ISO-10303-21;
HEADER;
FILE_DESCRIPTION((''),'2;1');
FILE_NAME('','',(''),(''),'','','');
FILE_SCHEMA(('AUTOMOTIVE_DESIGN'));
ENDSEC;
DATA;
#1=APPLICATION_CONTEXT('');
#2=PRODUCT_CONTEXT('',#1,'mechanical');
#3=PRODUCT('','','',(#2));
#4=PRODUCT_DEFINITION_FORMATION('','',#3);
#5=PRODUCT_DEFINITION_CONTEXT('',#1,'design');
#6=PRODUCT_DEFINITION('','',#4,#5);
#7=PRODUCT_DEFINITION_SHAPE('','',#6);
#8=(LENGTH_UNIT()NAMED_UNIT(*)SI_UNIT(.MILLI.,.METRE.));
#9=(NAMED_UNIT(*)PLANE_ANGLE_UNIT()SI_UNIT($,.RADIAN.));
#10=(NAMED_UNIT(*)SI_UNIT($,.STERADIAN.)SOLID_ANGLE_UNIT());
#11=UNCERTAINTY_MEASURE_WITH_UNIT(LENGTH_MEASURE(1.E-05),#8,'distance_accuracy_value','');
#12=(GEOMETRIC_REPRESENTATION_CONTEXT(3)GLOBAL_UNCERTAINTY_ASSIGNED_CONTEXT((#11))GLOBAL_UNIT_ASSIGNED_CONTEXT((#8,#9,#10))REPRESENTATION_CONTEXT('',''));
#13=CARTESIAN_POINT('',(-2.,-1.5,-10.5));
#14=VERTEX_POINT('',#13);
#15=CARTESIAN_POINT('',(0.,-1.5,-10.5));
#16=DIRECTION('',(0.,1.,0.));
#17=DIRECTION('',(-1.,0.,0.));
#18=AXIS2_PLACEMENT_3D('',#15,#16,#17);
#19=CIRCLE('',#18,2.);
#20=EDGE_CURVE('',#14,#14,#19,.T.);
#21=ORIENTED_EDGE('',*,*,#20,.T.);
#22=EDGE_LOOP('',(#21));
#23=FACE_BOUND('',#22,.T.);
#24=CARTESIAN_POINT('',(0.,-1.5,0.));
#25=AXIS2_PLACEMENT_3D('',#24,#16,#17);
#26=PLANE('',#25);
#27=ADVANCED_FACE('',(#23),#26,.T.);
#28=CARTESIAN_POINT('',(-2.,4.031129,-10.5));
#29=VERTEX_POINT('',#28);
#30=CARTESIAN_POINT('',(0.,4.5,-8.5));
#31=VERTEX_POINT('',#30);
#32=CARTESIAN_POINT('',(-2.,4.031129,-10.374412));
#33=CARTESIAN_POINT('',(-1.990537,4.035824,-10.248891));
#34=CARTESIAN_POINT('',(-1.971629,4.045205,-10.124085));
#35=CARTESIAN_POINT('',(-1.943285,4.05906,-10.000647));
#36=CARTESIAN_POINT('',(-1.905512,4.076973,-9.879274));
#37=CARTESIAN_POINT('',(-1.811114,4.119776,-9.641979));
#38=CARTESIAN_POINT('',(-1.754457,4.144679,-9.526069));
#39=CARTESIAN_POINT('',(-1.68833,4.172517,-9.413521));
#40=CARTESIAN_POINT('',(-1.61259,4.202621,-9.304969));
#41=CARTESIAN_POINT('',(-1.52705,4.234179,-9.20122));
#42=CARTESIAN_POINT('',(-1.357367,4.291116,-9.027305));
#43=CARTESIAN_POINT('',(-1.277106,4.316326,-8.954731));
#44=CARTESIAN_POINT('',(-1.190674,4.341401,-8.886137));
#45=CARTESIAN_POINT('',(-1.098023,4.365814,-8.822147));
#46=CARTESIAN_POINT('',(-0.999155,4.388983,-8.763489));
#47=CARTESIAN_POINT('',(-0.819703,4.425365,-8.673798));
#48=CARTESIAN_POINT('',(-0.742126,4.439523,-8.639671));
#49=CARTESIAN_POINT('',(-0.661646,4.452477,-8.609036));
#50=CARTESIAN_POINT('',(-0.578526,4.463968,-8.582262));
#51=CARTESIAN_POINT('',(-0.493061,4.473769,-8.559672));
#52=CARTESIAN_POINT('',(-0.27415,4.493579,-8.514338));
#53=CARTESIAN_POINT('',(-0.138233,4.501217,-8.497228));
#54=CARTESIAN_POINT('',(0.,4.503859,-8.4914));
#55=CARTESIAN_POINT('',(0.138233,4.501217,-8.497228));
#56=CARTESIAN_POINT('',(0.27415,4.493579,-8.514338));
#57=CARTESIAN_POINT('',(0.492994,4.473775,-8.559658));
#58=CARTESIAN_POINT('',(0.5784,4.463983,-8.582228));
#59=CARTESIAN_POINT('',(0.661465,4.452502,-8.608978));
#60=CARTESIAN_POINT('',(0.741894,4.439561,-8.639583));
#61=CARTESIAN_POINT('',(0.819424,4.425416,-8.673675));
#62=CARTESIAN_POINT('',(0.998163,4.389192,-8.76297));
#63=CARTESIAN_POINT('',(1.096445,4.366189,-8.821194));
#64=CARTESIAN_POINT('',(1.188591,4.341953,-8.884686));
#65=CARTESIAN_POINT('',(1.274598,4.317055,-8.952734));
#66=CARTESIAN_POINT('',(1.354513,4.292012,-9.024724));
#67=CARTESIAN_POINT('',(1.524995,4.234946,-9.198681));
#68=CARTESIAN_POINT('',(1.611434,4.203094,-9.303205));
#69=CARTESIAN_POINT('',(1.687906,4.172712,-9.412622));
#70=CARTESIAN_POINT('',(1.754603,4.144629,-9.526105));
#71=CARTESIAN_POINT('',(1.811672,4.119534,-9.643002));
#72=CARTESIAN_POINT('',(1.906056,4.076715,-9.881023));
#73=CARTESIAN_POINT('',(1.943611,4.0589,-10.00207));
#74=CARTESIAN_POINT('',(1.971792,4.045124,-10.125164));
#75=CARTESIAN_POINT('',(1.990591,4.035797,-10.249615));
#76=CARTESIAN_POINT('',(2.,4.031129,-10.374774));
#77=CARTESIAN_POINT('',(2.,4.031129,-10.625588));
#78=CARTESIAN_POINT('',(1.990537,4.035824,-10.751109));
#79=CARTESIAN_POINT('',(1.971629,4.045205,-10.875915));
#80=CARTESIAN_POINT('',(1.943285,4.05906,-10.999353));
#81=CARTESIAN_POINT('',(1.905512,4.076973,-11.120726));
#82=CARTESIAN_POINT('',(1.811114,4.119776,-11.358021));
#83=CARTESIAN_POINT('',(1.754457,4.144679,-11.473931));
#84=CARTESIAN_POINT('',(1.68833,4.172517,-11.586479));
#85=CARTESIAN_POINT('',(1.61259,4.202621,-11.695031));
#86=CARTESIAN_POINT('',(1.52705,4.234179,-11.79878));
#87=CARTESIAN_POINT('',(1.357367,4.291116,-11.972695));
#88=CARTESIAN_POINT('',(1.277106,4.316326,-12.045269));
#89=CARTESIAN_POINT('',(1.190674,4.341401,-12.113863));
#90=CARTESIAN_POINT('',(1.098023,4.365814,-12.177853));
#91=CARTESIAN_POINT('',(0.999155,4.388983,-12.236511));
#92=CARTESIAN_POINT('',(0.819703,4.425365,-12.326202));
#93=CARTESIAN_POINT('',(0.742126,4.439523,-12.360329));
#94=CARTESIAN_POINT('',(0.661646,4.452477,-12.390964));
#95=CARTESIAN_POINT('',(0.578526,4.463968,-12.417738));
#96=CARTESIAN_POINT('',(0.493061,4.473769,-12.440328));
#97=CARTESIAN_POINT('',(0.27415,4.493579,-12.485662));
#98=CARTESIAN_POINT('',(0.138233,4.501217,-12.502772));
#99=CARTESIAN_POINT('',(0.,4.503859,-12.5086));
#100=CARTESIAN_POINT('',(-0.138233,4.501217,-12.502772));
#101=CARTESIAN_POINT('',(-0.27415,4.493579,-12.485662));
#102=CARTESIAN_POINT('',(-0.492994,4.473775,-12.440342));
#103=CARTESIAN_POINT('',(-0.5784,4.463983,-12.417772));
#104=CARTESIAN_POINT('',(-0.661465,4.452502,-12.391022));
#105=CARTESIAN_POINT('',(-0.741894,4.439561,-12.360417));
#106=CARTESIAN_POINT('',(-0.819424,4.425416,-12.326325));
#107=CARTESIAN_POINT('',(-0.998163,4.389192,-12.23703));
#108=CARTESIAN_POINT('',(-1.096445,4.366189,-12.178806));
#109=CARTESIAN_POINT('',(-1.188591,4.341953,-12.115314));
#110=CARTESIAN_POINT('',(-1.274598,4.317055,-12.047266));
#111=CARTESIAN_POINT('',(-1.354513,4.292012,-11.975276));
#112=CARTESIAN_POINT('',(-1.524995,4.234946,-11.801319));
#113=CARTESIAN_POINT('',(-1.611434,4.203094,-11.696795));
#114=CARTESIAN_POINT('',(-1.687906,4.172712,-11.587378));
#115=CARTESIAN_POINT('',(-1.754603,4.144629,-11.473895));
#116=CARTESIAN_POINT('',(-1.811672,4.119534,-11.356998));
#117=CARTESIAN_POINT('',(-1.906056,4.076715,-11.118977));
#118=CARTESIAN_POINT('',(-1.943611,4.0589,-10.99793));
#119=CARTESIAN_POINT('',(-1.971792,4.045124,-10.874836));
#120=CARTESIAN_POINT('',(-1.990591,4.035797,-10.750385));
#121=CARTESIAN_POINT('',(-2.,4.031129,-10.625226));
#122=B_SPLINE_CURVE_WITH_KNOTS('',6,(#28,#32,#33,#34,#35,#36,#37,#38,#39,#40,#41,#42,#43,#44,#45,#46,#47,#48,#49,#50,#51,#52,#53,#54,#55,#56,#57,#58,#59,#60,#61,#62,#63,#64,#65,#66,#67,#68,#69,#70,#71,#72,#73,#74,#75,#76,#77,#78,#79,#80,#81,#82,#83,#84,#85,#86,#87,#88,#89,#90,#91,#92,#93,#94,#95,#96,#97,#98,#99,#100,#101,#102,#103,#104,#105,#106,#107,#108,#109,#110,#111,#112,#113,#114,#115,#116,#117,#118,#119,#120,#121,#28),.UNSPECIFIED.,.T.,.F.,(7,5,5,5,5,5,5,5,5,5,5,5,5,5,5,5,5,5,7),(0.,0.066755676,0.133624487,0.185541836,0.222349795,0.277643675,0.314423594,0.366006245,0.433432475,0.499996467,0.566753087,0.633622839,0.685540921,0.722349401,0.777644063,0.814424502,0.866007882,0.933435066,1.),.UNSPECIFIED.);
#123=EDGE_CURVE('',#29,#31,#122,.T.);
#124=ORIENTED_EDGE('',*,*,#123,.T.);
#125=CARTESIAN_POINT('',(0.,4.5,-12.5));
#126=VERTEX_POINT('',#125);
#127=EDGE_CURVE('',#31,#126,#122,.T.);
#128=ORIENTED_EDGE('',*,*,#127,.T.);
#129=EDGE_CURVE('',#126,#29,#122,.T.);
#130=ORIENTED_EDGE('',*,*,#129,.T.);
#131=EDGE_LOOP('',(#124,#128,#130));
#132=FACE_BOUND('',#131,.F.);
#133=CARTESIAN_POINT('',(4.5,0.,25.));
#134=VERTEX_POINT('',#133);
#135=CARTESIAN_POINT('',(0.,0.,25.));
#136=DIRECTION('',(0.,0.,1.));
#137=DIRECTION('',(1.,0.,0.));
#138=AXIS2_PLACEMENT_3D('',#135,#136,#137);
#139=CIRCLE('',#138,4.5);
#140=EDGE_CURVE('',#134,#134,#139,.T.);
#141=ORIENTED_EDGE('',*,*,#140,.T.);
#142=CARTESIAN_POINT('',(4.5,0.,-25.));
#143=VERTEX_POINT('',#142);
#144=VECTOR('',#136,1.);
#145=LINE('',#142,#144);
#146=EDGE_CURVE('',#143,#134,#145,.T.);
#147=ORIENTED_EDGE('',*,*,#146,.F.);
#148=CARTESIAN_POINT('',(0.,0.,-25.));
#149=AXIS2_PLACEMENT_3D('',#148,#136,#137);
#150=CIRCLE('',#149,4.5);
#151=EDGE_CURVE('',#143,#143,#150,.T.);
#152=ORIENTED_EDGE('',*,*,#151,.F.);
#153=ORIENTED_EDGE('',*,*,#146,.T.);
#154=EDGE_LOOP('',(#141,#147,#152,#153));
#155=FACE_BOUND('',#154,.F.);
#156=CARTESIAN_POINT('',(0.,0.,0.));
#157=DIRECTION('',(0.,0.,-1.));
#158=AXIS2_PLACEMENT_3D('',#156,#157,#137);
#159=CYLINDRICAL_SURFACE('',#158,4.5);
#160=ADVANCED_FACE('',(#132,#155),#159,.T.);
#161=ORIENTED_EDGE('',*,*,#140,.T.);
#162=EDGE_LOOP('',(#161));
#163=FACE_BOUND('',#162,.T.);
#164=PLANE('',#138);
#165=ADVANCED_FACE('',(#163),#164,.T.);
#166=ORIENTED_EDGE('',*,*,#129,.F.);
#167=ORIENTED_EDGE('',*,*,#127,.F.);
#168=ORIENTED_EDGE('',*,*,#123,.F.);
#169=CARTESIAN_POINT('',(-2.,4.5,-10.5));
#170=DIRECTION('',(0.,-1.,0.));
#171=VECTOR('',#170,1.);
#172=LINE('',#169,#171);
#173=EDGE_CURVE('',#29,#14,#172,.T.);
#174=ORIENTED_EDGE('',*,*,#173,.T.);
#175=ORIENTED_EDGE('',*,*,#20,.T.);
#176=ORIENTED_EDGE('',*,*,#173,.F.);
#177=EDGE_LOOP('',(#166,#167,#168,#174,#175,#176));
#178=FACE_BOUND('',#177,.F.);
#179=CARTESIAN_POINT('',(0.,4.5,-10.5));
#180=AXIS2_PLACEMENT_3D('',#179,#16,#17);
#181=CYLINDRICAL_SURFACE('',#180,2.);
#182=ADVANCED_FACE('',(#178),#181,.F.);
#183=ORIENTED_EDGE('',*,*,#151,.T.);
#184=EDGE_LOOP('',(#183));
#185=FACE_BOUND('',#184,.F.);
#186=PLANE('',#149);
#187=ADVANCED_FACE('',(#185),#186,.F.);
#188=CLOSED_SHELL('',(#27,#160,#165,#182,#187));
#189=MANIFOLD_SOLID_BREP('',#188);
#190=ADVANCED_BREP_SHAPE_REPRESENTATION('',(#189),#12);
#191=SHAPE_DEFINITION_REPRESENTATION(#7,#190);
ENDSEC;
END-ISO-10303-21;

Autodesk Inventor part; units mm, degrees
ref_plane "YZ Plane" through (0, 0, 0) normal (1, 0, 0) x (0, 1, 0)
ref_plane "XY Plane" through (0, 0, 0) normal (0, 0, 1) x (1, 0, 0)
sketch "Sketch1" plane through (0, 0, 0) normal (0, 0, 1) x (1, 0, 0)
  circle A0 centre (0, 0) radius 4.5
  dimension "d0" = 9
extrude "Extrusion1" add sketch "Sketch1" along normal mid plane 50
ref_plane "Work Plane1" through (0, 4.5, 0) normal (0, 1, 0) x (-1, 0, 0)
sketch "Sketch2" plane through (0, 4.5, 0) normal (0, 1, 0) x (-1, 0, 0)
  circle A0 centre (0, -10.5) radius 2
  line L0 (-4.5, -25) -> (4.5, -25) projected
  point P0 (0, 0)
  dimension "d4" = 4
  dimension "d5" = 14.5
extrude "Extrusion2" cut sketch "Sketch2" against normal blind 6
